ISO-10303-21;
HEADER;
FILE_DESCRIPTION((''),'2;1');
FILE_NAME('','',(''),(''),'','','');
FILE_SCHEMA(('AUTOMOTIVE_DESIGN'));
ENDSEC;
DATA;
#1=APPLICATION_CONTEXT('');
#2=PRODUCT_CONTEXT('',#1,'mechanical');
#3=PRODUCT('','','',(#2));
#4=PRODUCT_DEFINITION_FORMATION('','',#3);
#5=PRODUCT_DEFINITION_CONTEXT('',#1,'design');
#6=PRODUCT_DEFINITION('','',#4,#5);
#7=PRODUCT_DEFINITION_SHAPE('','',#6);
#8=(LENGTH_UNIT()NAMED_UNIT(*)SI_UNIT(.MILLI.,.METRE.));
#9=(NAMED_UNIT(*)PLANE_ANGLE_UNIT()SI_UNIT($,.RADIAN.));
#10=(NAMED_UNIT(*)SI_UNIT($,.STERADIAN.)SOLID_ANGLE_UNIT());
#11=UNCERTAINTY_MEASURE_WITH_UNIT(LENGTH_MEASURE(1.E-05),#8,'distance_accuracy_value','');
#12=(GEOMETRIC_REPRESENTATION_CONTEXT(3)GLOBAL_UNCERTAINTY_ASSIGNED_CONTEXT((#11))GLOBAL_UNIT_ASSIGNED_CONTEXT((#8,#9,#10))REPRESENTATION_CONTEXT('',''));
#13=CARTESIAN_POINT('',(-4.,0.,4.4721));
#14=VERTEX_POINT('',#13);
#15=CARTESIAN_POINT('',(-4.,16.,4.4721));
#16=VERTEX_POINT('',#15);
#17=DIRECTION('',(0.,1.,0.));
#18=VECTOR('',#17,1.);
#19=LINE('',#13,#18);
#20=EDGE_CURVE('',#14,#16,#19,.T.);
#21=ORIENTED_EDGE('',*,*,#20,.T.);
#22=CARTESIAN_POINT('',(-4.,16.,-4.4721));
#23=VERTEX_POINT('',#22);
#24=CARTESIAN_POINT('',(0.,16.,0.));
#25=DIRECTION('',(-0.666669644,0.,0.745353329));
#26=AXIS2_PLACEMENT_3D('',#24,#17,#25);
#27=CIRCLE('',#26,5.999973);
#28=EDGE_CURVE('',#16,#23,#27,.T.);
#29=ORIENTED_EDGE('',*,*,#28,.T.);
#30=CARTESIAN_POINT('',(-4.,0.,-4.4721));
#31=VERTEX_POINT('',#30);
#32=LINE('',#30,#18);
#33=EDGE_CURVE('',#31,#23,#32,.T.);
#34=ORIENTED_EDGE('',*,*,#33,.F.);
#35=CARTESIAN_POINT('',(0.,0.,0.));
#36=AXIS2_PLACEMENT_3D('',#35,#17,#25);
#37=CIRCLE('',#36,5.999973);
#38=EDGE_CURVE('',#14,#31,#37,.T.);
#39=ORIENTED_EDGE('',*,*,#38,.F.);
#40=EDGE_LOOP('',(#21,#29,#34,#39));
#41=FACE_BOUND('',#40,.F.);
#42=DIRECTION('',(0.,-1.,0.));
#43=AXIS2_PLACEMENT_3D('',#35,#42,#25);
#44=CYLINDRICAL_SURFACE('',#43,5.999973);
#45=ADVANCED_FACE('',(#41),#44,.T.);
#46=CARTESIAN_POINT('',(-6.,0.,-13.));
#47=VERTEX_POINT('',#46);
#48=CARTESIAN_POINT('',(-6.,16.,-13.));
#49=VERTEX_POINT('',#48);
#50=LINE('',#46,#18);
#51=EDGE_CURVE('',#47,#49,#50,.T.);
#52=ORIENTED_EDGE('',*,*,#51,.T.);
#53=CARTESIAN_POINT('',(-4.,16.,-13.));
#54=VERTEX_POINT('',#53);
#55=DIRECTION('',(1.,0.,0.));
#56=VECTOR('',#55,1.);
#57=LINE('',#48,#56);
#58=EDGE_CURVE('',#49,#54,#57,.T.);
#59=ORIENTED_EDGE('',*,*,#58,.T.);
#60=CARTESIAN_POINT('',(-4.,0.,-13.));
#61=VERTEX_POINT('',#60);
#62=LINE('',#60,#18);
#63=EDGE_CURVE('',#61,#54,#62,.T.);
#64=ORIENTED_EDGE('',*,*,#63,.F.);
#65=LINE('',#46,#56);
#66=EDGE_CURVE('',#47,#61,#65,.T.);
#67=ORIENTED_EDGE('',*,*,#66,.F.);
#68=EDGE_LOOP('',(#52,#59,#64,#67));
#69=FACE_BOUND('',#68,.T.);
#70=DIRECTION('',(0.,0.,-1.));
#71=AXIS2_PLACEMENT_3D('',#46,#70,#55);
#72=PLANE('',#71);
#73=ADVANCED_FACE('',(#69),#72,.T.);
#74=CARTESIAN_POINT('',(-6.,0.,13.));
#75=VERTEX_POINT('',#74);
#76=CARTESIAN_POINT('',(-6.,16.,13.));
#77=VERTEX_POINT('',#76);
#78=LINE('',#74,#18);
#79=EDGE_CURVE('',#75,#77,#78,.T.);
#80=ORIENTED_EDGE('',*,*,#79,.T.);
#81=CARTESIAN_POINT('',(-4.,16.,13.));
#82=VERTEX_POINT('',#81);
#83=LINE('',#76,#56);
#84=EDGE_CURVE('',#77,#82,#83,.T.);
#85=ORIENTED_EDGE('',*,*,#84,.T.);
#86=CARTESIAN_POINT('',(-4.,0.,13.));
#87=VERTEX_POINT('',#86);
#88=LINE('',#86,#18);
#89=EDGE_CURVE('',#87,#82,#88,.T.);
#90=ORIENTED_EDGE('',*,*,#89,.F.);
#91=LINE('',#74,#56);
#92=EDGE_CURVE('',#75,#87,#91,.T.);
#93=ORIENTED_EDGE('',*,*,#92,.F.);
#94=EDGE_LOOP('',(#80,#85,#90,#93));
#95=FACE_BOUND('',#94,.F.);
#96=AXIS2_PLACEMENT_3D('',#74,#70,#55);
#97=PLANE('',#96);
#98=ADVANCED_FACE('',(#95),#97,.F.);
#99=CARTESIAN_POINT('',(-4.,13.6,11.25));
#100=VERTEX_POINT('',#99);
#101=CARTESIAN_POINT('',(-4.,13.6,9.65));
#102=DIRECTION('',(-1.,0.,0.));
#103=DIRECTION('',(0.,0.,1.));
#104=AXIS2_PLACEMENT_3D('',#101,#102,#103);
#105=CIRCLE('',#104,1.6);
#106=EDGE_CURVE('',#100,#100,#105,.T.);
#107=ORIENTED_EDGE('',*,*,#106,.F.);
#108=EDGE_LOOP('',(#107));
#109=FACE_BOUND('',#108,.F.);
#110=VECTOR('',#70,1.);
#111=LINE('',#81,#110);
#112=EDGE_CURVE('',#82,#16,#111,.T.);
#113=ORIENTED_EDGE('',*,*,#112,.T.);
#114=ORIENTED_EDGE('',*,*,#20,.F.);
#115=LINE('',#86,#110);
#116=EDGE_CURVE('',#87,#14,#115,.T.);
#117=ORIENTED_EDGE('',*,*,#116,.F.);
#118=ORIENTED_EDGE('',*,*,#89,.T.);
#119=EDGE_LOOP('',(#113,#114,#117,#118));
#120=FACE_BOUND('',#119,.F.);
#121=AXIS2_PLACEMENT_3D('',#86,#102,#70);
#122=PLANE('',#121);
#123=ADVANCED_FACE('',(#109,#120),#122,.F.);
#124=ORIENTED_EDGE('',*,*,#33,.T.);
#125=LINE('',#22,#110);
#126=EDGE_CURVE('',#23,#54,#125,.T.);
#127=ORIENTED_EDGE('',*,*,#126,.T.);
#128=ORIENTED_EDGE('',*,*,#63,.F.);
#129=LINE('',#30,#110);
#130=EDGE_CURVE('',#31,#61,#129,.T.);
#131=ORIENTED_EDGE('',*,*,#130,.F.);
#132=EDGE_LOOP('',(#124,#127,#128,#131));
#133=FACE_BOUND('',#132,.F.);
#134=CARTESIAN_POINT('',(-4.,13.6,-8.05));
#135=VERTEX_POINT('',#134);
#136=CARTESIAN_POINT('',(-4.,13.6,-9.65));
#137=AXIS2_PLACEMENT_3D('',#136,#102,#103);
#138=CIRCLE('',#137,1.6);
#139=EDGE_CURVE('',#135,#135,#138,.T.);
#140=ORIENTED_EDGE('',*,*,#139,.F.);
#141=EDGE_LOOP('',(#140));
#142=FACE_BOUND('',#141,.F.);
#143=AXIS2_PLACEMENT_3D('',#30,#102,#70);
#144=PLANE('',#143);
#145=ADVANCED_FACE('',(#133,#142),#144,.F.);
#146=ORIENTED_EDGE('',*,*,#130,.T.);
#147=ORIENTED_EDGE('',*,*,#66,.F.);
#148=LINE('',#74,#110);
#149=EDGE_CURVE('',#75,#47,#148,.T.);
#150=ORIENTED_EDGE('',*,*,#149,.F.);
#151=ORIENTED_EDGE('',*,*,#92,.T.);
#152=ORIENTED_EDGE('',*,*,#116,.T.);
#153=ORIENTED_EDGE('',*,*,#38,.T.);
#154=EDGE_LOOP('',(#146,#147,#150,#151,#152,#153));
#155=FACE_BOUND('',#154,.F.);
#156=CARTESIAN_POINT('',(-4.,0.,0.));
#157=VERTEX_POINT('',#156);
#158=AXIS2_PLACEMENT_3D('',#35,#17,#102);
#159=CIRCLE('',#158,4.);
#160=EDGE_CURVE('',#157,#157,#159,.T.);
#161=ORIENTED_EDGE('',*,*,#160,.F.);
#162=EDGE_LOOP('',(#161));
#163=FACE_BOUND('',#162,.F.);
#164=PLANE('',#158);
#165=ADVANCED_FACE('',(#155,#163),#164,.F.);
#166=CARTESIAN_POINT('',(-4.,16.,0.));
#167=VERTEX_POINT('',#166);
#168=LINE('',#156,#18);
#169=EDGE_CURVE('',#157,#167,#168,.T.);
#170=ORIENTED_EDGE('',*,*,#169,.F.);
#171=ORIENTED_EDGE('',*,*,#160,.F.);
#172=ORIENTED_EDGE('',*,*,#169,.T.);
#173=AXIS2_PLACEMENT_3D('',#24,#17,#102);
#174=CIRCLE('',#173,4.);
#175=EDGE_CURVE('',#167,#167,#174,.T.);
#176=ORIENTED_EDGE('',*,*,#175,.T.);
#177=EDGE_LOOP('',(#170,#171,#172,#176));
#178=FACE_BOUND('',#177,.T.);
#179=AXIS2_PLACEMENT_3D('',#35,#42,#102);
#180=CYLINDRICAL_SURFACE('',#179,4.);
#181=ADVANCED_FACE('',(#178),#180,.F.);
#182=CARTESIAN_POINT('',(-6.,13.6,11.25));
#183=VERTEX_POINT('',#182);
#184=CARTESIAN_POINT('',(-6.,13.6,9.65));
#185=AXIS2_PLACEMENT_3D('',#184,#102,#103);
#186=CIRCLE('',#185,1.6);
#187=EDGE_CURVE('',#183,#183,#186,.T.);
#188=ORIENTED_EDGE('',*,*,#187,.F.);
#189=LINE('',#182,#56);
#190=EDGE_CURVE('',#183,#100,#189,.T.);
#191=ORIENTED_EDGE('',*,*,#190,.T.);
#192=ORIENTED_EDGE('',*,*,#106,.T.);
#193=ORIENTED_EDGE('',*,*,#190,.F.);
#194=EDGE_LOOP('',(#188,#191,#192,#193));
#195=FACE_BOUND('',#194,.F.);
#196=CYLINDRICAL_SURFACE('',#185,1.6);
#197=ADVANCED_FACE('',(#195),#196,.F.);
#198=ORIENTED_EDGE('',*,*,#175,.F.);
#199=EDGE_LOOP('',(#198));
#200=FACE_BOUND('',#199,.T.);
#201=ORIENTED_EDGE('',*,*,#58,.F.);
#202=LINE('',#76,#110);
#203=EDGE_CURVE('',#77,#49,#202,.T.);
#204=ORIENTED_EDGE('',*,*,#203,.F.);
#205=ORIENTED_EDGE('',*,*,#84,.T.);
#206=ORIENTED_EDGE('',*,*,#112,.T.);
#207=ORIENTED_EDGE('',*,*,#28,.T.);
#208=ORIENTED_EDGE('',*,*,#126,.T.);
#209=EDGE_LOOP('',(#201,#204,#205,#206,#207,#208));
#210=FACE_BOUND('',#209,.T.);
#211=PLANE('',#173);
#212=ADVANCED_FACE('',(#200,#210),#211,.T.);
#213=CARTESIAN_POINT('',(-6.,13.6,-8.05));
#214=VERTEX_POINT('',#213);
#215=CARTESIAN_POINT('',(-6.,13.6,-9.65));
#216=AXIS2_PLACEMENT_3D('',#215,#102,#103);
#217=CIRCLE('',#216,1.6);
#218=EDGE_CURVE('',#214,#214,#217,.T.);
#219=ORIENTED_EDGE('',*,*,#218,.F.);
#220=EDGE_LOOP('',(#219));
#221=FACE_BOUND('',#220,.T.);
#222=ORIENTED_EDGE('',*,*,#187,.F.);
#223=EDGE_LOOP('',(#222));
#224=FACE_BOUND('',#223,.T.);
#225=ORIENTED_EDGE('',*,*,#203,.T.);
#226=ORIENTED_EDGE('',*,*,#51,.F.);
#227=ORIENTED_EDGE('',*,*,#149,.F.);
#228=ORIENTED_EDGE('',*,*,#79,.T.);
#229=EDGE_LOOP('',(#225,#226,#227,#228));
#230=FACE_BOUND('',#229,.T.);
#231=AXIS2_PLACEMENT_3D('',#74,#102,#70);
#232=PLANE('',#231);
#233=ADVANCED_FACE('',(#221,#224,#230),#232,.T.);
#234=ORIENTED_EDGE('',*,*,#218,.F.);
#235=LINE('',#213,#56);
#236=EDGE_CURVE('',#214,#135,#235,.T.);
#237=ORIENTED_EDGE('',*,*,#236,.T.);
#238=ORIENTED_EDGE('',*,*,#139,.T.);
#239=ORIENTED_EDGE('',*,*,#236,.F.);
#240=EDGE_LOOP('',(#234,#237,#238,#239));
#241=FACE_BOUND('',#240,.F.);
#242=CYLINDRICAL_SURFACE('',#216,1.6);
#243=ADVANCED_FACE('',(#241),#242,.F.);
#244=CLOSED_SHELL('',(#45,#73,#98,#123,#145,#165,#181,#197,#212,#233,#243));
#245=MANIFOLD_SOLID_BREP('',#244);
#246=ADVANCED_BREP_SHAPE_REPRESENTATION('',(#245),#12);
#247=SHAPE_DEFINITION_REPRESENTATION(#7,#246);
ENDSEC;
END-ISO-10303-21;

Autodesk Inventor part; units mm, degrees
ref_plane "YZ Plane" through (0, 0, 0) normal (1, 0, 0) x (0, 1, 0)
ref_plane "XZ Plane" through (0, 0, 0) normal (0, 1, 0) x (-1, 0, 0)
ref_plane "XY Plane" through (0, 0, 0) normal (0, 0, 1) x (1, 0, 0)
sketch "Sketch1" plane through (0, 0, 0) normal (0, 1, 0) x (-1, 0, 0)
  circle A0 centre (0, 0) radius 4
  line L0 (6, 13) -> (4, 13)
  line L1 (6, -13) -> (4, -13)
  arc A1 (4, 4.4721) -> (4, -4.4721) centre (0, 0) ccw
  line L2 (4, 13) -> (4, 4.4721)
  line L3 (4, -4.4721) -> (4, -13)
  line L4 (6, 13) -> (6, -13)
  dimension "d0" = 8
  dimension "d2" = 26
  dimension "d3" = 2
extrude "Extrusion1" add sketch "Sketch1" along normal blind 16
sketch "Sketch2" plane through (-6, 0, -13) normal (-1, 0, 0) x (0, 0, 1)
  circle A0 centre (3.35, 13.6) radius 1.6
  circle A1 centre (22.65, 13.6) radius 1.6
  line L0 (8.5279, 16) -> (0, 16) projected
  line L1 (0, 16) -> (26, 16) projected
  point P0 (13, 0)
  dimension "d10" = 3.2
  dimension "d11" = 3.2
  dimension "d14" = 2.4
  dimension "d15" = 2.4
extrude "Extrusion2" cut sketch "Sketch2" against normal blind 16
properties part number "Support endStop v1"
